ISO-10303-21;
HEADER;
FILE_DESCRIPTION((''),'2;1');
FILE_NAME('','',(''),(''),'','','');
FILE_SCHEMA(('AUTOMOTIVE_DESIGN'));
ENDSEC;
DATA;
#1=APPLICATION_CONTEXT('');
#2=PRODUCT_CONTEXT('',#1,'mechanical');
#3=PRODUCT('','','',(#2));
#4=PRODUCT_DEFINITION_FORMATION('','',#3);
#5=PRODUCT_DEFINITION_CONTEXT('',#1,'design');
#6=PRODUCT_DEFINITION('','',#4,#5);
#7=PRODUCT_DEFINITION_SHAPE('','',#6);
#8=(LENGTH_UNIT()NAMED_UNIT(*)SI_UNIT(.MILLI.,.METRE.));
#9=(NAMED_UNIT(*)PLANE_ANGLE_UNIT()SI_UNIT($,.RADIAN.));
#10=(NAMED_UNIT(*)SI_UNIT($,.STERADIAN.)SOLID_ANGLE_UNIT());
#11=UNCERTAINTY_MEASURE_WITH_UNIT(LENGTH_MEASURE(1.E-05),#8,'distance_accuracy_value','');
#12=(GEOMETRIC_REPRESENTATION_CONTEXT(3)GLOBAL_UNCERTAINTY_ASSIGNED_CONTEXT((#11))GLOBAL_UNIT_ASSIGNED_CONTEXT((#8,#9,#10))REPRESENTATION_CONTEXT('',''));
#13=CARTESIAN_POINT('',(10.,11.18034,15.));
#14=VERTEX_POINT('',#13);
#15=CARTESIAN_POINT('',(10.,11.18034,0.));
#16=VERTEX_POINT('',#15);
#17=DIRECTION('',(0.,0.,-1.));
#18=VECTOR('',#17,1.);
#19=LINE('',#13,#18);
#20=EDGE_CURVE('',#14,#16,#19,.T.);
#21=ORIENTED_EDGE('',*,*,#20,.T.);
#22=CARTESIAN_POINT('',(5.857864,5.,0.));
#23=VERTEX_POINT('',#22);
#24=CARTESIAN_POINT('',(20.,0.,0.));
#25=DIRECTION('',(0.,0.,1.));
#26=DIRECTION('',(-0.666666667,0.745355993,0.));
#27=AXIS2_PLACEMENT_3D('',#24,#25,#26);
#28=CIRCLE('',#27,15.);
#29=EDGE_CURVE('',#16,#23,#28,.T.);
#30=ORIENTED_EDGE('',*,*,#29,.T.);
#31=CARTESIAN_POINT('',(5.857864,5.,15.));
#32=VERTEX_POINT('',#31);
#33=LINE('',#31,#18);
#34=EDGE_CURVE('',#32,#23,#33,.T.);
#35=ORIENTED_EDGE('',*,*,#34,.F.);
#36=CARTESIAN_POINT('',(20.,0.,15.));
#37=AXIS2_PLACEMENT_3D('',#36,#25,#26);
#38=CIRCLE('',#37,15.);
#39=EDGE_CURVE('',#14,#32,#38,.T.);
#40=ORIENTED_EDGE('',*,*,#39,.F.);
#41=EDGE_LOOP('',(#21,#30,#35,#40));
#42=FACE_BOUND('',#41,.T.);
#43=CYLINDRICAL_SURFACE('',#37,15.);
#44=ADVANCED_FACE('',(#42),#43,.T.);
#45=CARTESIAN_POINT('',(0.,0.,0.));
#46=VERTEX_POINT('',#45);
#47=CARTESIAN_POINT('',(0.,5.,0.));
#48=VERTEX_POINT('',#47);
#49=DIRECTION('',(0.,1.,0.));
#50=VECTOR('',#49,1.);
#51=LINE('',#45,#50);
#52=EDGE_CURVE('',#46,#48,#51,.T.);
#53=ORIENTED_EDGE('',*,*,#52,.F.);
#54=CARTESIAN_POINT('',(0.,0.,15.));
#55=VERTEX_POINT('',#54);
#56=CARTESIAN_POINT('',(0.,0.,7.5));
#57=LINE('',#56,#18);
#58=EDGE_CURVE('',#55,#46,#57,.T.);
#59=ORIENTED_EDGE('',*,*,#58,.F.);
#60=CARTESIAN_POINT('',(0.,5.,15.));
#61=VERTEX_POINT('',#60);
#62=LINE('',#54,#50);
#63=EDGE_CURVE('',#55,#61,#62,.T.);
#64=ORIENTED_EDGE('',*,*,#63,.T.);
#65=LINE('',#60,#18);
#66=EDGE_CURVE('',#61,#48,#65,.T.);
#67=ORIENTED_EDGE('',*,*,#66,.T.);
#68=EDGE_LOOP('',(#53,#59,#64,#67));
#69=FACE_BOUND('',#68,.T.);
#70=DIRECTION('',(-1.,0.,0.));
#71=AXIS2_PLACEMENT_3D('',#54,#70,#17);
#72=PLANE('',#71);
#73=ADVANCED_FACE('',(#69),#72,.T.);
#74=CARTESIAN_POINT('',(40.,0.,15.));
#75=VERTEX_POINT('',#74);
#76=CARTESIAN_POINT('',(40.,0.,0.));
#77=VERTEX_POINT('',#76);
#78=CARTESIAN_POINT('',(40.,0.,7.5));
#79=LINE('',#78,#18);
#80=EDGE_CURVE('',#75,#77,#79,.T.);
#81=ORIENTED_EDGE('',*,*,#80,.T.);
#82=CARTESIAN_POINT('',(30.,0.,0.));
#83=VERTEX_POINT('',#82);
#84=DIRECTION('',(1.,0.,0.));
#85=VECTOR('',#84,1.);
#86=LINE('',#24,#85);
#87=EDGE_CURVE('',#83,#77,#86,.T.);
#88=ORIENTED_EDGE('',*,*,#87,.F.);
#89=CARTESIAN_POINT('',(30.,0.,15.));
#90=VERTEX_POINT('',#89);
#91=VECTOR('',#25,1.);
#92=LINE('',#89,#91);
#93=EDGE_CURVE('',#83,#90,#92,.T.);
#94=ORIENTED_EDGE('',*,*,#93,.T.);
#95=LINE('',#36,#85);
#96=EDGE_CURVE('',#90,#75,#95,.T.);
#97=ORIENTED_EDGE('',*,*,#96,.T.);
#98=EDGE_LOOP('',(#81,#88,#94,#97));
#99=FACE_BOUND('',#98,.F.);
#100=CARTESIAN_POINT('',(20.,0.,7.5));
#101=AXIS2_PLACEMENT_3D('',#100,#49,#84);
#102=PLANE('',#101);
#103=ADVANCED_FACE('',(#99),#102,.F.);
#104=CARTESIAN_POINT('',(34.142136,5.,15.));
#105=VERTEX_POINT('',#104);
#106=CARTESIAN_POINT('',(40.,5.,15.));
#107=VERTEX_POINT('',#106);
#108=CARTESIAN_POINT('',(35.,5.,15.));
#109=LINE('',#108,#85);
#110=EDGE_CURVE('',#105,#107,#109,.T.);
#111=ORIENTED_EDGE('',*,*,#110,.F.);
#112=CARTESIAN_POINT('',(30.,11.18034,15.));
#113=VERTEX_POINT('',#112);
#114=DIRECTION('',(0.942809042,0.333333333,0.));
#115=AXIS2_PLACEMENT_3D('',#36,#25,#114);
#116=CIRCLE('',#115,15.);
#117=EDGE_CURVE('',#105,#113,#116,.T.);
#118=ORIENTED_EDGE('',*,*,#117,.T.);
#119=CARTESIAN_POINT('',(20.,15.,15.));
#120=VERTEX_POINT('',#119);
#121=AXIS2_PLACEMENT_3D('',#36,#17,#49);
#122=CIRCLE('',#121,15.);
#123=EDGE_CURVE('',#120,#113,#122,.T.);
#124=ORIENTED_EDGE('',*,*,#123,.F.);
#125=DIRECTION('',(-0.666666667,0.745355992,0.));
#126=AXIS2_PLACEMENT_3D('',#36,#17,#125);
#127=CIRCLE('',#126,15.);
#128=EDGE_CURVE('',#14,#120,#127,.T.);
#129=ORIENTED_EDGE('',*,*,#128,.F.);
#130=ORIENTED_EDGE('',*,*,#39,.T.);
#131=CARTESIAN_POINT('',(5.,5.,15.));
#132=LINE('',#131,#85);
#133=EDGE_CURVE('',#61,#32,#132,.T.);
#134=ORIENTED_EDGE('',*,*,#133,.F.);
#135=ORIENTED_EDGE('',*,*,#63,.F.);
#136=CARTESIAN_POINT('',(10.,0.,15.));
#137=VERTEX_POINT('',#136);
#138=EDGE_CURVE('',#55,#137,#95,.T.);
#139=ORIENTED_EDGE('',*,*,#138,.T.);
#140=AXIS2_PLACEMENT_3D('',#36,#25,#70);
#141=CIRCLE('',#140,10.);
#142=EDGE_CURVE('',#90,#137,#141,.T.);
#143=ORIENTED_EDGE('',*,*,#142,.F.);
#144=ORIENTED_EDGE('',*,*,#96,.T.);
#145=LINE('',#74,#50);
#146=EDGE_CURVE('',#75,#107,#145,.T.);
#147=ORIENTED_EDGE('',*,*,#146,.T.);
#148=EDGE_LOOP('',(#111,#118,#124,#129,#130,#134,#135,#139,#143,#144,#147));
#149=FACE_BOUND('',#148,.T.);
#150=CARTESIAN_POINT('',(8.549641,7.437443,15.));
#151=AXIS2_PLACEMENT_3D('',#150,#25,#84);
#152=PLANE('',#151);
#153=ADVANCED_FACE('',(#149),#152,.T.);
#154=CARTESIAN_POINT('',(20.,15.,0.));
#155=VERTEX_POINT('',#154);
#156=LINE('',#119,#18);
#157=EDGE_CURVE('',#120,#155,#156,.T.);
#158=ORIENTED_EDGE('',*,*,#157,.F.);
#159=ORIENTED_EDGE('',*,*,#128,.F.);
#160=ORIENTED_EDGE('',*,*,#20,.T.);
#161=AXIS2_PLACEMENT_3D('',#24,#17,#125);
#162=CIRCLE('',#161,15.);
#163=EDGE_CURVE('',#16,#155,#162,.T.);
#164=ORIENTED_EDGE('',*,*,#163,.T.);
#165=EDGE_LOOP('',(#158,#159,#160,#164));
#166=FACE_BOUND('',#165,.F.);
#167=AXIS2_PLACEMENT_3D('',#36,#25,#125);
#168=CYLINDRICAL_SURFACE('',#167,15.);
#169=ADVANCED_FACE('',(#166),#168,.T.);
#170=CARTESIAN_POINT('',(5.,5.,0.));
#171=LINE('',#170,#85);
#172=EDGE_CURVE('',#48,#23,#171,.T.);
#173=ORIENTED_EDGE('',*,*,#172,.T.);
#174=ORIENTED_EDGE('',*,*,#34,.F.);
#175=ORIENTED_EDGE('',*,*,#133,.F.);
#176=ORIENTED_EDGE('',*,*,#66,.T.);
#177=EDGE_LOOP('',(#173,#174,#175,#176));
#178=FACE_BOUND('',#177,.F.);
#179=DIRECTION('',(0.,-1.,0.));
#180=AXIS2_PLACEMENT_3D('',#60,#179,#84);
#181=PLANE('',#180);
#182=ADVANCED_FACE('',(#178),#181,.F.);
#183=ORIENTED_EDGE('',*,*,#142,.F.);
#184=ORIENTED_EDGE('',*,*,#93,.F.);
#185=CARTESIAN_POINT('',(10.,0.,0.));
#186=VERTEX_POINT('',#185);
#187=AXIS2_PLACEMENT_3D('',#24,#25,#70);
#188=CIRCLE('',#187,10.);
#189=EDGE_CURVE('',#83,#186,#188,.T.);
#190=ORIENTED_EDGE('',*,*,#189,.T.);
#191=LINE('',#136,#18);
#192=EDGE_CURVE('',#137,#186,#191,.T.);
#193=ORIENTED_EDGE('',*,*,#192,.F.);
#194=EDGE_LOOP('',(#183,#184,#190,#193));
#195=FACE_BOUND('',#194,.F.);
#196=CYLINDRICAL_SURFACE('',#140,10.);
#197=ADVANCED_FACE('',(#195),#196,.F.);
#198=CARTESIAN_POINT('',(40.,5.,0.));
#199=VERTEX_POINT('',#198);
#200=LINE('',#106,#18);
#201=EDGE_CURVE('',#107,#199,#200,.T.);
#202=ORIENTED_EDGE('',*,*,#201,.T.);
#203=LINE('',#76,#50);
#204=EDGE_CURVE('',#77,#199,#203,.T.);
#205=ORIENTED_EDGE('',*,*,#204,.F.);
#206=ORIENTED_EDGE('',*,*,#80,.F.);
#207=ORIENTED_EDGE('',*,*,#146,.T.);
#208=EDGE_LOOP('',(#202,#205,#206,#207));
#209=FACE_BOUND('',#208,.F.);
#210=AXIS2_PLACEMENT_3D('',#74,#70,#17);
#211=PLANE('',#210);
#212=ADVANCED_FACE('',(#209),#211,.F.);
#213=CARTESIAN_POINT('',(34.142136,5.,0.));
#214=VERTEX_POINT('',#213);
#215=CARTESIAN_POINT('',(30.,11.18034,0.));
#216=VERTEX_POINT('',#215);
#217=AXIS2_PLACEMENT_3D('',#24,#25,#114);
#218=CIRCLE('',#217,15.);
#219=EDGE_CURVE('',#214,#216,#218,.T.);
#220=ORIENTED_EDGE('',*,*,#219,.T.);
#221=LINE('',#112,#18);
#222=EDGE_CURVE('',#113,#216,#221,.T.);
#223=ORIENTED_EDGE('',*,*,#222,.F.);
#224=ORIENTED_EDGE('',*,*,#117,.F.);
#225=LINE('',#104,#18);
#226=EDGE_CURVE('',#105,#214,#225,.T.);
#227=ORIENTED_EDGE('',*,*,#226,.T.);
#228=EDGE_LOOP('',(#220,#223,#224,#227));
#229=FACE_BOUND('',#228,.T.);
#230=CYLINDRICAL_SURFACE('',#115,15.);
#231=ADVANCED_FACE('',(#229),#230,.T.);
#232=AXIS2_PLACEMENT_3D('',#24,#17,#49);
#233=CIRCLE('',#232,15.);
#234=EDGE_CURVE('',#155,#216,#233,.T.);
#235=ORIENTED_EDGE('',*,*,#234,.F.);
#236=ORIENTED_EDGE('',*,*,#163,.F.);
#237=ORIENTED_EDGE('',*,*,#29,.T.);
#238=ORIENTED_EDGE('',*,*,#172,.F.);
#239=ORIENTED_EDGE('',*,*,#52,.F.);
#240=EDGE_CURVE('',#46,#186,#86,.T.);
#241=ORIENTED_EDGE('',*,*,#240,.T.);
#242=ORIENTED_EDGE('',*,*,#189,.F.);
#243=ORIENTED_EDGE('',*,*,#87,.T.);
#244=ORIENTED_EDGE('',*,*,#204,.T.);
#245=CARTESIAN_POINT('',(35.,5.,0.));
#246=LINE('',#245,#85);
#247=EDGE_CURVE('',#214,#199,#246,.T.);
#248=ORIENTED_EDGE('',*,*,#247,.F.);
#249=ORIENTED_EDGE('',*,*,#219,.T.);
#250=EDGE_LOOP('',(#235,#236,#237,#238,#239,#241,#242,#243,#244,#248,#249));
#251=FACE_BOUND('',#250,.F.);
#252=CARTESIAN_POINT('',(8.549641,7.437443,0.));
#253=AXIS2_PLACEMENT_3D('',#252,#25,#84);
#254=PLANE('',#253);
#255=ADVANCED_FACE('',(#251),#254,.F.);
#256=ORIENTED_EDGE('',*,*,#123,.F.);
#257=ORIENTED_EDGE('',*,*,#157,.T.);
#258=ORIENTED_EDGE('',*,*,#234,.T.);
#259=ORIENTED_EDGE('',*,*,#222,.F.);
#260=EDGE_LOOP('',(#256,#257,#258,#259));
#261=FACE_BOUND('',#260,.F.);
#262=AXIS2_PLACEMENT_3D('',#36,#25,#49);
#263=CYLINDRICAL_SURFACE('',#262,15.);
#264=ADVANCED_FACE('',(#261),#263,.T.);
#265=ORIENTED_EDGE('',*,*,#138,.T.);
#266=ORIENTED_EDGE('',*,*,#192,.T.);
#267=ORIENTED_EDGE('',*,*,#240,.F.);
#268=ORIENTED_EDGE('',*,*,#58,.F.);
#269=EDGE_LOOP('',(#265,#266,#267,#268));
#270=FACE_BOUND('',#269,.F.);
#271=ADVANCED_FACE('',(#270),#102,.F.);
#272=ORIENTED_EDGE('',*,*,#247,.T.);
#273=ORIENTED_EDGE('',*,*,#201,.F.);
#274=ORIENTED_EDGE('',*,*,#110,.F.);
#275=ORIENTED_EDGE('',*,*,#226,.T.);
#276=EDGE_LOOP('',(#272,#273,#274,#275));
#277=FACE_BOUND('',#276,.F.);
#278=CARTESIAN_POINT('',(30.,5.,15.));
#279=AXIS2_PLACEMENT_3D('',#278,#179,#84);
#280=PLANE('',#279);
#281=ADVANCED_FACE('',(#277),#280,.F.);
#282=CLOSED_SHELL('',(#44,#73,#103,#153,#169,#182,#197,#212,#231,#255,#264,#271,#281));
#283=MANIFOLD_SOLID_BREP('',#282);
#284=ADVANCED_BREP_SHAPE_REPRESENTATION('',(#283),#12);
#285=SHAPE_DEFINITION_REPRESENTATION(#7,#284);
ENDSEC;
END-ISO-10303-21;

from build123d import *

# Parameters (mm, degrees)
CROQUIS1_W              = 40
CROQUIS1_H              = 15
SALIENTE_EXTRUIR1_DEPTH = 15
CROQUIS2_W              = 10
CROQUIS2_H              = 10
CORTAR_EXTRUIR2_DEPTH   = 15
CORTAR_EXTRUIR3_DEPTH   = 15
CORTAR_EXTRUIR4_DEPTH   = 15
SALIENTE_EXTRUIR2_DEPTH = 15


with BuildPart() as part:
    # Croquis1 → Saliente-Extruir1 (new body)
    with BuildSketch(Plane(origin=(0, 0, 0), x_dir=(1, 0, 0), z_dir=(0, 1, 0))):
        with Locations((20, -7.5)):
            Rectangle(CROQUIS1_W, CROQUIS1_H)
    extrude(amount=SALIENTE_EXTRUIR1_DEPTH)

    # Croquis2 → Cortar-Extruir2 (cut)
    with BuildSketch(Plane.XY.offset(15)):
        with Locations((5, 10)):
            Rectangle(CROQUIS2_W, CROQUIS2_H)
        with Locations((35, 10)):
            Rectangle(CROQUIS2_W, CROQUIS2_H)
    extrude(amount=-CORTAR_EXTRUIR2_DEPTH, mode=Mode.SUBTRACT)

    # Croquis5 → Cortar-Extruir3 (cut)
    with BuildSketch(Plane.XY.offset(15)):
        with BuildLine():
            ThreePointArc((30, 0), (20, 10), (10, 0))
            Line((10, 0), (30, 0))
        make_face()
        with BuildLine():
            Line((30, 0), (10, 0))
            ThreePointArc((10, 0), (20, -10), (30, 0))
        make_face()
    extrude(amount=-CORTAR_EXTRUIR3_DEPTH, mode=Mode.SUBTRACT)

    # Croquis6 → Cortar-Extruir4 (cut)
    with BuildSketch(Plane.XY.offset(15)):
        with BuildLine():
            Line((20, 15), (10, 15))
            Line((10, 15), (10, 11.180339887))
            ThreePointArc((10, 11.180339887), (14.647668653, 14.012585384), (20, 15))
        make_face()
        with BuildLine():
            Line((30, 15), (20, 15))
            ThreePointArc((20, 15), (25.352331347, 14.012585384), (30, 11.180339887))
            Line((30, 11.180339887), (30, 15))
        make_face()
    extrude(amount=-CORTAR_EXTRUIR4_DEPTH, mode=Mode.SUBTRACT)

    # Croquis7 → Saliente-Extruir2 (add)
    with BuildSketch(Plane.XY.offset(15)):
        with BuildLine():
            ThreePointArc((10, 11.180339887), (7.539669812, 8.351058113), (5.857864376, 5))
            Line((5.857864376, 5), (10, 5))
            Line((10, 5), (10, 11.180339887))
        make_face()
        with BuildLine():
            Line((30, 5), (34.142135624, 5))
            ThreePointArc((34.142135624, 5), (32.460330188, 8.351058113), (30, 11.180339887))
            Line((30, 11.180339887), (30, 5))
        make_face()
    extrude(amount=-SALIENTE_EXTRUIR2_DEPTH)


solid = part.part
